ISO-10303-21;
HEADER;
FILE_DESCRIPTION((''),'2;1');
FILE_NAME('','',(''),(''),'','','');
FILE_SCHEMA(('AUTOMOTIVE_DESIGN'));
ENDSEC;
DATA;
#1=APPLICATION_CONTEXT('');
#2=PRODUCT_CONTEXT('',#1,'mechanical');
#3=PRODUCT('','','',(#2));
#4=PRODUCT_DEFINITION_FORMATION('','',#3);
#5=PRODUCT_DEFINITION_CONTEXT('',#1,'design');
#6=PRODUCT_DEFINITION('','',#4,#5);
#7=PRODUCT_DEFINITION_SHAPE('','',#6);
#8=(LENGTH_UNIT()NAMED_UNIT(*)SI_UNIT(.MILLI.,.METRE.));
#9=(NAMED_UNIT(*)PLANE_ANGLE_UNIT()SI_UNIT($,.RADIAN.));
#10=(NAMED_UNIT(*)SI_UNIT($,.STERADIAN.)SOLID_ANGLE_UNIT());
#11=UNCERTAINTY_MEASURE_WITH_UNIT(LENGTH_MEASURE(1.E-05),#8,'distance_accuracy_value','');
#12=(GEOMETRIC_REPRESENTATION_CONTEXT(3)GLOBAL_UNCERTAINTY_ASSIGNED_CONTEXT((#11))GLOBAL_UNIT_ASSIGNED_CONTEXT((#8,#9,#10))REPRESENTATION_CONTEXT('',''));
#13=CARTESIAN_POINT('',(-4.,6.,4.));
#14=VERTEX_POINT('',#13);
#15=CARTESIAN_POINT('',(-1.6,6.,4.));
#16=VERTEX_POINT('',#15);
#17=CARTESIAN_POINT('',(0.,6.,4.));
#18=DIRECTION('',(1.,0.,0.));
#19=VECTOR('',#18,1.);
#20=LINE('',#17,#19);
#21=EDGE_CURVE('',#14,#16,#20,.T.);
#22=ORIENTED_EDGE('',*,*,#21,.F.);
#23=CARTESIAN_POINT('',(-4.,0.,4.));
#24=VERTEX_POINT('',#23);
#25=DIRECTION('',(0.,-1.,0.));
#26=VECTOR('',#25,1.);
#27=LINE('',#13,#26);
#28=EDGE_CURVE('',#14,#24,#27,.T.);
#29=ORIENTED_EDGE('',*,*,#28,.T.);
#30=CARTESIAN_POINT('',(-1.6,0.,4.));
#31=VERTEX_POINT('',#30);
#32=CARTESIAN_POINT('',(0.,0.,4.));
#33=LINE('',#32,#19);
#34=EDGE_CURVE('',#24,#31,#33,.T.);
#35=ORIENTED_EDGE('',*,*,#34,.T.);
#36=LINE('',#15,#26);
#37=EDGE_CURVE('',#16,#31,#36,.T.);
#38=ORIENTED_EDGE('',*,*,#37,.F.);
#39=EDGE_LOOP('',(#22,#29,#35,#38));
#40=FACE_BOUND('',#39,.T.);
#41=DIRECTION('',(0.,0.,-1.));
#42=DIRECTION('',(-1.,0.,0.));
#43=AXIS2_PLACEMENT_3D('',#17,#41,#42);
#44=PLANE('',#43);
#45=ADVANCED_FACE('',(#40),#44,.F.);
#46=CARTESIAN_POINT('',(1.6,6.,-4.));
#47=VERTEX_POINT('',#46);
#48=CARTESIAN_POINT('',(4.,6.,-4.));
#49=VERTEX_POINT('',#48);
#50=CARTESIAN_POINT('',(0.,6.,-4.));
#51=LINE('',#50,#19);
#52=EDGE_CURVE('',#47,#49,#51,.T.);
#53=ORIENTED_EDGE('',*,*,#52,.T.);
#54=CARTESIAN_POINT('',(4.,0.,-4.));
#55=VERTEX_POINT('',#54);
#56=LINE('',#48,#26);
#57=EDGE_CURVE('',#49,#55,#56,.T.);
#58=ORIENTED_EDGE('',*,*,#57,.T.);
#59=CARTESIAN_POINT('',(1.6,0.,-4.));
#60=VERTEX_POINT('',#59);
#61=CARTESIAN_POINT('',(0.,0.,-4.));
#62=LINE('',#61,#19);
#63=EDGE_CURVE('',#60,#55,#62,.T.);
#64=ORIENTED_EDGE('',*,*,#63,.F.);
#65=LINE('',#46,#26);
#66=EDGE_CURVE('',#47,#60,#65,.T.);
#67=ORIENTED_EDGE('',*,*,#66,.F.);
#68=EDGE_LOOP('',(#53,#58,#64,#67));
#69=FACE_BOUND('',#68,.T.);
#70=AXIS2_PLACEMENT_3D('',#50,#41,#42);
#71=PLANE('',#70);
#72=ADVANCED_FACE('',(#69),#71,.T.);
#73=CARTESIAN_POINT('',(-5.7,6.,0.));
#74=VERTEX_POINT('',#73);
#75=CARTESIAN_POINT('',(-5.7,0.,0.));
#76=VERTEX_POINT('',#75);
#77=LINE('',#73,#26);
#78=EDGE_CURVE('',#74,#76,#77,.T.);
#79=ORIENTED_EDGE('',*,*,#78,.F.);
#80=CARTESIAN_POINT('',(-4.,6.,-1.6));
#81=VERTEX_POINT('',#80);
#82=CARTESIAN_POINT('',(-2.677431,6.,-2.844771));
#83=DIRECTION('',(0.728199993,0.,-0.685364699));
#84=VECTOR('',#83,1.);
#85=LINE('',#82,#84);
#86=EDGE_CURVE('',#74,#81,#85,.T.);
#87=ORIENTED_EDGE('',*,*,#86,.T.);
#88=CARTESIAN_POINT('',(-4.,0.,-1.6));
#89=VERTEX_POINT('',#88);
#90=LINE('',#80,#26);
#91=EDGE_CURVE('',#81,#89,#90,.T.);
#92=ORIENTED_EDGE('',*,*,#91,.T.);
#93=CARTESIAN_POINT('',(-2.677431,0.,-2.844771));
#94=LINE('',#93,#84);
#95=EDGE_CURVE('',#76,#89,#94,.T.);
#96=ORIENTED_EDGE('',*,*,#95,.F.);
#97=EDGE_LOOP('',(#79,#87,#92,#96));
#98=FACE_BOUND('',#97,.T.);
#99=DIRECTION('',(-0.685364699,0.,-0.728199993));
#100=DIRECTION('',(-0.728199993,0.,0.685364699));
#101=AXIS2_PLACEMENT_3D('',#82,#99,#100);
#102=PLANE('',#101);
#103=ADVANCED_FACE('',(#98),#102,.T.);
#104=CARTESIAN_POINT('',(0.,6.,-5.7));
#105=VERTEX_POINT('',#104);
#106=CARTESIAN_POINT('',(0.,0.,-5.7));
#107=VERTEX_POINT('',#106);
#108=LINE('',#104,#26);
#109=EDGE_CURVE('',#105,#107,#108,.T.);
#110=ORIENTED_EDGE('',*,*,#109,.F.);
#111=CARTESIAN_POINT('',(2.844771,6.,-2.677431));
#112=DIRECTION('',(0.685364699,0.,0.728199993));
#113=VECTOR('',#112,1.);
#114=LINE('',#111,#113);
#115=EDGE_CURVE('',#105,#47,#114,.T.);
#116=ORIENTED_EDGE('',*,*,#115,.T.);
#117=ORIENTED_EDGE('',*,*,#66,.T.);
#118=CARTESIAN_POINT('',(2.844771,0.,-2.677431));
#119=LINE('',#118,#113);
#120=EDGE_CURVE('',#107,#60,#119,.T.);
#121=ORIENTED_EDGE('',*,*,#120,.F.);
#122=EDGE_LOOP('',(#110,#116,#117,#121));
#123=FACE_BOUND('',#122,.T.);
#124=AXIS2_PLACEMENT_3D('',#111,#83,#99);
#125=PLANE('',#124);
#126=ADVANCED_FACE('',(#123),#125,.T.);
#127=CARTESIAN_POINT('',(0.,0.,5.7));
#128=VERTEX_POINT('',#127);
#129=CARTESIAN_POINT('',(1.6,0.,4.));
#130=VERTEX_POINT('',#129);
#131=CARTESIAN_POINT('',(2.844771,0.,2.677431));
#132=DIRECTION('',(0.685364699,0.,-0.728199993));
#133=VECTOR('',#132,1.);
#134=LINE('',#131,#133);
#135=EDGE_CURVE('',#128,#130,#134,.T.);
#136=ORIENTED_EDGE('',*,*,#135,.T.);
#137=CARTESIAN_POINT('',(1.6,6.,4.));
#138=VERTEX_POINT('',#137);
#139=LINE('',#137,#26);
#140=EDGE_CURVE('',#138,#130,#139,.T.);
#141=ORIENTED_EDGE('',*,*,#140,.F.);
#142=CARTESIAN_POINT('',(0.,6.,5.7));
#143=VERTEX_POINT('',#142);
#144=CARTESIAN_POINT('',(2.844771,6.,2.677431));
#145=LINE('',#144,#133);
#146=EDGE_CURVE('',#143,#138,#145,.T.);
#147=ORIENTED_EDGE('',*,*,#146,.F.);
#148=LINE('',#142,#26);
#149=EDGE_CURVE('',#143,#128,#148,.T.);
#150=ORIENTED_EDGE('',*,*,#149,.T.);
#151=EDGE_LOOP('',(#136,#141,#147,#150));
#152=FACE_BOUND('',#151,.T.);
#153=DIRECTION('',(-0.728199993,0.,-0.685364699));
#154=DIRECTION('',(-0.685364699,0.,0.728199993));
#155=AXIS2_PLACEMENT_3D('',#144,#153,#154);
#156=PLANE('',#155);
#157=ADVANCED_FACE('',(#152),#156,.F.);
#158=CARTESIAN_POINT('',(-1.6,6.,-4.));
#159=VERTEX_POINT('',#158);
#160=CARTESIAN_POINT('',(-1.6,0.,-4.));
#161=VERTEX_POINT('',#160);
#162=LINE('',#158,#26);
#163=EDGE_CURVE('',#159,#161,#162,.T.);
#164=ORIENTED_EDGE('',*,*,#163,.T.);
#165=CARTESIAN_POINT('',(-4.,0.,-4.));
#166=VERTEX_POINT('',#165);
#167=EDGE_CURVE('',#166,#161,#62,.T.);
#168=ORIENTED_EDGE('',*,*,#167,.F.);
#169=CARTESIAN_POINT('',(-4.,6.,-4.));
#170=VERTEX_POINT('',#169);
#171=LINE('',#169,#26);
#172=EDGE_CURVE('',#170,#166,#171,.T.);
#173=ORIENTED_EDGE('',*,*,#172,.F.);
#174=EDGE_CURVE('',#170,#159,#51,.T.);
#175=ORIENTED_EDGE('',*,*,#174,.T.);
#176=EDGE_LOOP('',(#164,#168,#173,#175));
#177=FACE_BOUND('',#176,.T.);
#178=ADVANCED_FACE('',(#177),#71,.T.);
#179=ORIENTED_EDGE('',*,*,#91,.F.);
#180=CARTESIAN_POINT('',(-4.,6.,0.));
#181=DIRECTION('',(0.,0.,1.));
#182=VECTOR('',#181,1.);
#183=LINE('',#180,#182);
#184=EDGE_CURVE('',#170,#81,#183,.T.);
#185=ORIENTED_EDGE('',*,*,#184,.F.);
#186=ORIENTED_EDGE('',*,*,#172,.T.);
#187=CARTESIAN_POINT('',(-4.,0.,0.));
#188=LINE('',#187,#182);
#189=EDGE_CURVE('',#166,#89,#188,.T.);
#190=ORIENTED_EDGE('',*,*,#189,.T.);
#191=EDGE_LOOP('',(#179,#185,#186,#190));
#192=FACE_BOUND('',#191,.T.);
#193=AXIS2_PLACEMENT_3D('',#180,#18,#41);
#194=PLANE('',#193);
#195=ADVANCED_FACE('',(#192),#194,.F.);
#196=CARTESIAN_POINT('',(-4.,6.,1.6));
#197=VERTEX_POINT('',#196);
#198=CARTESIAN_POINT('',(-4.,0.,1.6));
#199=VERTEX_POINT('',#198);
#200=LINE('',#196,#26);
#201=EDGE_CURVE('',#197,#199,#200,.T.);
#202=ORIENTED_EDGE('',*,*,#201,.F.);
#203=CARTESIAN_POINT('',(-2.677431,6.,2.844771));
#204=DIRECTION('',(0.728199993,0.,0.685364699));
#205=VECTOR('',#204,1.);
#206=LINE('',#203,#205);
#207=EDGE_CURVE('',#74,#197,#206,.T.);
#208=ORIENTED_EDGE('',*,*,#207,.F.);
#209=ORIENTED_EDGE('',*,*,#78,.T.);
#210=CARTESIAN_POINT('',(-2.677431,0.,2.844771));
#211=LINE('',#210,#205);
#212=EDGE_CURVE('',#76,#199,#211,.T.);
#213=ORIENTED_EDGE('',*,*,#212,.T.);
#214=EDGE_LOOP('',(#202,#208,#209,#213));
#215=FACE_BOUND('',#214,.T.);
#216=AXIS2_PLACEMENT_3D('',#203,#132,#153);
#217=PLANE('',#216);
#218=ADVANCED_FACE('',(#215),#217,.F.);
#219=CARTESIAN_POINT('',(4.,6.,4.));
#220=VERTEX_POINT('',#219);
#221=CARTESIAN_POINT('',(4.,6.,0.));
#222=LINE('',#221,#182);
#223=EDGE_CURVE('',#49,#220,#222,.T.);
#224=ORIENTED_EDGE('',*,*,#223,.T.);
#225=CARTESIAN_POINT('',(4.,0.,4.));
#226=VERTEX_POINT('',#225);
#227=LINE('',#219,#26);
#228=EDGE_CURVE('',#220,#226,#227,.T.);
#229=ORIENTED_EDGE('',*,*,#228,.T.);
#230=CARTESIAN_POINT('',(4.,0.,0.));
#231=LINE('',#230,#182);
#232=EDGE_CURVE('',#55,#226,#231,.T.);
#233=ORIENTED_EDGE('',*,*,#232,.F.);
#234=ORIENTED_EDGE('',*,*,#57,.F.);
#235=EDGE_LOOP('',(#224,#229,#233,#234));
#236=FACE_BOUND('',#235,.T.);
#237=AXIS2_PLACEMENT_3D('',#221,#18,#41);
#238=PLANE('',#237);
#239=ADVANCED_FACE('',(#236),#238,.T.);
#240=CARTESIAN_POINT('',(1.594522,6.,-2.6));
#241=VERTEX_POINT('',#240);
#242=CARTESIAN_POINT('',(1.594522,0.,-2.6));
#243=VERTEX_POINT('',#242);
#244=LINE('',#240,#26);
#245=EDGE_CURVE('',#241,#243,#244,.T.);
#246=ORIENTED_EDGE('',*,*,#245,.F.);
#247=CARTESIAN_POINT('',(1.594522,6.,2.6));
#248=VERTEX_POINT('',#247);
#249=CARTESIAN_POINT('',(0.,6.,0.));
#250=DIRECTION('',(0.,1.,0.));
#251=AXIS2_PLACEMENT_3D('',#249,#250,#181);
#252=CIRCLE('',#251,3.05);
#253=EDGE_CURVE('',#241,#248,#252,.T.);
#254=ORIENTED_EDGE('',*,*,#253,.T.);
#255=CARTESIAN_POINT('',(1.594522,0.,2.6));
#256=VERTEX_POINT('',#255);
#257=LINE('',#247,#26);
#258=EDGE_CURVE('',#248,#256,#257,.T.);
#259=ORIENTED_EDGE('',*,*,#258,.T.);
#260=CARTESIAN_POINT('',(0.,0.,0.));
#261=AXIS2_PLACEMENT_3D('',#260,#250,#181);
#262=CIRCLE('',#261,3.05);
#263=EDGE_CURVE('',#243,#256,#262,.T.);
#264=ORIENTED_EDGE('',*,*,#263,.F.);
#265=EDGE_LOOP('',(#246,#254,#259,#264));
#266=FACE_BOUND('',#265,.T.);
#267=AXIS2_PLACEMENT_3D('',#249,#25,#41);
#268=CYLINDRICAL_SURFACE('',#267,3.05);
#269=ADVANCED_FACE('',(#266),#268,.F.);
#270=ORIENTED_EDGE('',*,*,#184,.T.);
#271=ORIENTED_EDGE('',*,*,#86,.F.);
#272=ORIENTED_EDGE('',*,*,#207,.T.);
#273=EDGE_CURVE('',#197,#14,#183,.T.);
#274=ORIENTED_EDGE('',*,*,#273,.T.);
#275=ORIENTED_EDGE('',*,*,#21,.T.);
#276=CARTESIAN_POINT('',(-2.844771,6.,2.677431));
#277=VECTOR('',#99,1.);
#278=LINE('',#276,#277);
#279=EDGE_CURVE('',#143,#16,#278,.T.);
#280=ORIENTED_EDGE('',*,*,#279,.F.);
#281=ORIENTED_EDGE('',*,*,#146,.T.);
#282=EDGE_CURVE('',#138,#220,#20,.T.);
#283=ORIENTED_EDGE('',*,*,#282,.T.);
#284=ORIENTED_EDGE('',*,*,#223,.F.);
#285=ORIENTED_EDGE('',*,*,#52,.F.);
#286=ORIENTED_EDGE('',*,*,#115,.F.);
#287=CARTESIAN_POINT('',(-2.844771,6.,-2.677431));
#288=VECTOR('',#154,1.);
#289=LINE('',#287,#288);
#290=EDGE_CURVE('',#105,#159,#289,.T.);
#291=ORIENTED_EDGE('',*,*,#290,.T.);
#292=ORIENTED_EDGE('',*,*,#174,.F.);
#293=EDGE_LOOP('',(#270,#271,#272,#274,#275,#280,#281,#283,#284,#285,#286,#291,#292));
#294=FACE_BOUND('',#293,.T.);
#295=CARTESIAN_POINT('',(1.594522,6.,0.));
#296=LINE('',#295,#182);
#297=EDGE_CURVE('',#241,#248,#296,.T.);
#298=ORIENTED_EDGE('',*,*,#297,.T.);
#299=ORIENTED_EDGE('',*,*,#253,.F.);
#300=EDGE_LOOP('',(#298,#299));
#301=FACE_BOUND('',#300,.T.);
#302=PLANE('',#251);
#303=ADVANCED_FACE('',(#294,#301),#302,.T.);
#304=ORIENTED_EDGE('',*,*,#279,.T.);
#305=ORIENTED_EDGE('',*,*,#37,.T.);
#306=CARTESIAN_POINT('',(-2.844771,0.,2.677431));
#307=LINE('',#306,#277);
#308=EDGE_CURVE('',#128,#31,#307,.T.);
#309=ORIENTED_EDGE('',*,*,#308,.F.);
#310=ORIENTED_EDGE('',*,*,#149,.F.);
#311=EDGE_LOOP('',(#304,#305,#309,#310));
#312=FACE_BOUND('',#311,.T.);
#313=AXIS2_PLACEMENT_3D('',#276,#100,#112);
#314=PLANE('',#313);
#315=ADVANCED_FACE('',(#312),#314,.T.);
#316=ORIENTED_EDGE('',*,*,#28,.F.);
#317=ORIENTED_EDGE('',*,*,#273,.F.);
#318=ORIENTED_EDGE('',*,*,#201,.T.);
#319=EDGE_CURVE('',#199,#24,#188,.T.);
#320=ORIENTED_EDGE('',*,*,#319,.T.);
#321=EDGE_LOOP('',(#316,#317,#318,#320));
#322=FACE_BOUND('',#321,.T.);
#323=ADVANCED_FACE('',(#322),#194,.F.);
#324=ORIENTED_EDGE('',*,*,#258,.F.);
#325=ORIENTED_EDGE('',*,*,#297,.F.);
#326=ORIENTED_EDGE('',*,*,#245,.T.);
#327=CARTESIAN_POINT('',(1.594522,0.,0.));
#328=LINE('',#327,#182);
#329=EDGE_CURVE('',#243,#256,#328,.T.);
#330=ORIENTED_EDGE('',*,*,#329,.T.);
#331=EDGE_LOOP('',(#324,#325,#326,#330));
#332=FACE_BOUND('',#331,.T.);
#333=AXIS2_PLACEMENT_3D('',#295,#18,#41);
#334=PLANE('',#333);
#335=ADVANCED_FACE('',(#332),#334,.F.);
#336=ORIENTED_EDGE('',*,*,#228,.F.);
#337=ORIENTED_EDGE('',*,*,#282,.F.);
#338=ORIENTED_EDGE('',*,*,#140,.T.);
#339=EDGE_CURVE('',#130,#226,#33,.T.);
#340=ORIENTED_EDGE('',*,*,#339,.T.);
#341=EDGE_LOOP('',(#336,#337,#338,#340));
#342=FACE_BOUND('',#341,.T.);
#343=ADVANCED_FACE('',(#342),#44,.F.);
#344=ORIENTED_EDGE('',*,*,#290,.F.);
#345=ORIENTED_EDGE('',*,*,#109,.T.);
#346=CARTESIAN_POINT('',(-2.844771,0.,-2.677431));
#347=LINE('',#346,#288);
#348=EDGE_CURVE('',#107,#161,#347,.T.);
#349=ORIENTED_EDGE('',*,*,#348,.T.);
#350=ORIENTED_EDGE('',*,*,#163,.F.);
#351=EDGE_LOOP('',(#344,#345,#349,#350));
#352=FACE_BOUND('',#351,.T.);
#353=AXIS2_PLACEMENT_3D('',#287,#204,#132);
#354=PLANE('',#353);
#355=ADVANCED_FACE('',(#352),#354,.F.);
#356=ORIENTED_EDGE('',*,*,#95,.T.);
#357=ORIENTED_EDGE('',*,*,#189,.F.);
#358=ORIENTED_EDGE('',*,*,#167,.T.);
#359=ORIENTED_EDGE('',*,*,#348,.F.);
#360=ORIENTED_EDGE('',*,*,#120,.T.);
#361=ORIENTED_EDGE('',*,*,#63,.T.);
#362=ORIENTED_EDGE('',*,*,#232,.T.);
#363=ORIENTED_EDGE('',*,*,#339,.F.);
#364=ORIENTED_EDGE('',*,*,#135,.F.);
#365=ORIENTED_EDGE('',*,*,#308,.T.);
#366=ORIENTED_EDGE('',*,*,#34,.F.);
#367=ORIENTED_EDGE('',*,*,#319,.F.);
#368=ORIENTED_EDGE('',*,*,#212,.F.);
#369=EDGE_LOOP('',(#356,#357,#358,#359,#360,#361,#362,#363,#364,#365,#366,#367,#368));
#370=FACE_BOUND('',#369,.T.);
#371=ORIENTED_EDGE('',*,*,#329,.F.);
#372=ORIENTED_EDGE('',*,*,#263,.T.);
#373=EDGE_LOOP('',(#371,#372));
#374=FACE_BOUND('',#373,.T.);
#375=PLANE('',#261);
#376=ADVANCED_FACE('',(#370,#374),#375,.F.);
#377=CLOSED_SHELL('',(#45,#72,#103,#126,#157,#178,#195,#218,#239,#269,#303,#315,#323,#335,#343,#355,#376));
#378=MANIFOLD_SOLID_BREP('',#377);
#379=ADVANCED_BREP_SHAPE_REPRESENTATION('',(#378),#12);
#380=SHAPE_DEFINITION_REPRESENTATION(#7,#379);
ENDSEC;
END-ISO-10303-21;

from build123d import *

# Parameters (mm, degrees)
ESQUISSE1_W        = 8
ESQUISSE1_H        = 8
ESQUISSE1_R        = 3.05
BOSS_EXTRU_1_DEPTH = 6


with BuildPart() as part:
    # Esquisse1 → Boss.-Extru.1 (new body)
    # profile 1 of 6: a face of its own
    with BuildSketch(Plane(origin=(0, 0, 0), x_dir=(1, 0, 0), z_dir=(0, 1, 0))):
        Rectangle(ESQUISSE1_W, ESQUISSE1_H)
        Circle(ESQUISSE1_R, mode=Mode.SUBTRACT)
    # profile 2 of 6: a face of its own
    with BuildSketch(Plane(origin=(0, 0, 0), x_dir=(1, 0, 0), z_dir=(0, 1, 0))):
        Polygon((1.6, -4), (-1.6, -4), (0, -5.7), align=None)
    # profile 3 of 6: a face of its own
    with BuildSketch(Plane(origin=(0, 0, 0), x_dir=(1, 0, 0), z_dir=(0, 1, 0))):
        Polygon((-1.6, 4), (-4, 4), (-4, 1.6), (-4, -1.6), (-4, -4), (-1.6, -4), (1.6, -4), (4, -4), (4, 4), (1.6, 4), align=None)
        with BuildLine():
            ThreePointArc((1.594521872, -2.6), (-3.05, 0), (1.594521872, 2.6))
            ThreePointArc((1.594521872, 2.6), (2.661371048, 1.489833597), (3.05, 0))
            ThreePointArc((3.05, 0), (2.661371048, -1.489833597), (1.594521872, -2.6))
        make_face(mode=Mode.SUBTRACT)
    # profile 4 of 6: a face of its own
    with BuildSketch(Plane(origin=(0, 0, 0), x_dir=(1, 0, 0), z_dir=(0, 1, 0))):
        with BuildLine():
            ThreePointArc((3.05, 0), (2.661371048, 1.489833597), (1.594521872, 2.6))
            Line((1.594521872, 2.6), (1.594521872, -2.6))
            ThreePointArc((1.594521872, -2.6), (2.661371048, -1.489833597), (3.05, 0))
        make_face()
    # profile 5 of 6: a face of its own
    with BuildSketch(Plane(origin=(0, 0, 0), x_dir=(1, 0, 0), z_dir=(0, 1, 0))):
        Polygon((-4, -1.6), (-4, 1.6), (-5.7, 0), align=None)
    # profile 6 of 6: a face of its own
    with BuildSketch(Plane(origin=(0, 0, 0), x_dir=(1, 0, 0), z_dir=(0, 1, 0))):
        Polygon((0, 5.7), (-1.6, 4), (1.6, 4), align=None)
    extrude(amount=BOSS_EXTRU_1_DEPTH)


solid = part.part
